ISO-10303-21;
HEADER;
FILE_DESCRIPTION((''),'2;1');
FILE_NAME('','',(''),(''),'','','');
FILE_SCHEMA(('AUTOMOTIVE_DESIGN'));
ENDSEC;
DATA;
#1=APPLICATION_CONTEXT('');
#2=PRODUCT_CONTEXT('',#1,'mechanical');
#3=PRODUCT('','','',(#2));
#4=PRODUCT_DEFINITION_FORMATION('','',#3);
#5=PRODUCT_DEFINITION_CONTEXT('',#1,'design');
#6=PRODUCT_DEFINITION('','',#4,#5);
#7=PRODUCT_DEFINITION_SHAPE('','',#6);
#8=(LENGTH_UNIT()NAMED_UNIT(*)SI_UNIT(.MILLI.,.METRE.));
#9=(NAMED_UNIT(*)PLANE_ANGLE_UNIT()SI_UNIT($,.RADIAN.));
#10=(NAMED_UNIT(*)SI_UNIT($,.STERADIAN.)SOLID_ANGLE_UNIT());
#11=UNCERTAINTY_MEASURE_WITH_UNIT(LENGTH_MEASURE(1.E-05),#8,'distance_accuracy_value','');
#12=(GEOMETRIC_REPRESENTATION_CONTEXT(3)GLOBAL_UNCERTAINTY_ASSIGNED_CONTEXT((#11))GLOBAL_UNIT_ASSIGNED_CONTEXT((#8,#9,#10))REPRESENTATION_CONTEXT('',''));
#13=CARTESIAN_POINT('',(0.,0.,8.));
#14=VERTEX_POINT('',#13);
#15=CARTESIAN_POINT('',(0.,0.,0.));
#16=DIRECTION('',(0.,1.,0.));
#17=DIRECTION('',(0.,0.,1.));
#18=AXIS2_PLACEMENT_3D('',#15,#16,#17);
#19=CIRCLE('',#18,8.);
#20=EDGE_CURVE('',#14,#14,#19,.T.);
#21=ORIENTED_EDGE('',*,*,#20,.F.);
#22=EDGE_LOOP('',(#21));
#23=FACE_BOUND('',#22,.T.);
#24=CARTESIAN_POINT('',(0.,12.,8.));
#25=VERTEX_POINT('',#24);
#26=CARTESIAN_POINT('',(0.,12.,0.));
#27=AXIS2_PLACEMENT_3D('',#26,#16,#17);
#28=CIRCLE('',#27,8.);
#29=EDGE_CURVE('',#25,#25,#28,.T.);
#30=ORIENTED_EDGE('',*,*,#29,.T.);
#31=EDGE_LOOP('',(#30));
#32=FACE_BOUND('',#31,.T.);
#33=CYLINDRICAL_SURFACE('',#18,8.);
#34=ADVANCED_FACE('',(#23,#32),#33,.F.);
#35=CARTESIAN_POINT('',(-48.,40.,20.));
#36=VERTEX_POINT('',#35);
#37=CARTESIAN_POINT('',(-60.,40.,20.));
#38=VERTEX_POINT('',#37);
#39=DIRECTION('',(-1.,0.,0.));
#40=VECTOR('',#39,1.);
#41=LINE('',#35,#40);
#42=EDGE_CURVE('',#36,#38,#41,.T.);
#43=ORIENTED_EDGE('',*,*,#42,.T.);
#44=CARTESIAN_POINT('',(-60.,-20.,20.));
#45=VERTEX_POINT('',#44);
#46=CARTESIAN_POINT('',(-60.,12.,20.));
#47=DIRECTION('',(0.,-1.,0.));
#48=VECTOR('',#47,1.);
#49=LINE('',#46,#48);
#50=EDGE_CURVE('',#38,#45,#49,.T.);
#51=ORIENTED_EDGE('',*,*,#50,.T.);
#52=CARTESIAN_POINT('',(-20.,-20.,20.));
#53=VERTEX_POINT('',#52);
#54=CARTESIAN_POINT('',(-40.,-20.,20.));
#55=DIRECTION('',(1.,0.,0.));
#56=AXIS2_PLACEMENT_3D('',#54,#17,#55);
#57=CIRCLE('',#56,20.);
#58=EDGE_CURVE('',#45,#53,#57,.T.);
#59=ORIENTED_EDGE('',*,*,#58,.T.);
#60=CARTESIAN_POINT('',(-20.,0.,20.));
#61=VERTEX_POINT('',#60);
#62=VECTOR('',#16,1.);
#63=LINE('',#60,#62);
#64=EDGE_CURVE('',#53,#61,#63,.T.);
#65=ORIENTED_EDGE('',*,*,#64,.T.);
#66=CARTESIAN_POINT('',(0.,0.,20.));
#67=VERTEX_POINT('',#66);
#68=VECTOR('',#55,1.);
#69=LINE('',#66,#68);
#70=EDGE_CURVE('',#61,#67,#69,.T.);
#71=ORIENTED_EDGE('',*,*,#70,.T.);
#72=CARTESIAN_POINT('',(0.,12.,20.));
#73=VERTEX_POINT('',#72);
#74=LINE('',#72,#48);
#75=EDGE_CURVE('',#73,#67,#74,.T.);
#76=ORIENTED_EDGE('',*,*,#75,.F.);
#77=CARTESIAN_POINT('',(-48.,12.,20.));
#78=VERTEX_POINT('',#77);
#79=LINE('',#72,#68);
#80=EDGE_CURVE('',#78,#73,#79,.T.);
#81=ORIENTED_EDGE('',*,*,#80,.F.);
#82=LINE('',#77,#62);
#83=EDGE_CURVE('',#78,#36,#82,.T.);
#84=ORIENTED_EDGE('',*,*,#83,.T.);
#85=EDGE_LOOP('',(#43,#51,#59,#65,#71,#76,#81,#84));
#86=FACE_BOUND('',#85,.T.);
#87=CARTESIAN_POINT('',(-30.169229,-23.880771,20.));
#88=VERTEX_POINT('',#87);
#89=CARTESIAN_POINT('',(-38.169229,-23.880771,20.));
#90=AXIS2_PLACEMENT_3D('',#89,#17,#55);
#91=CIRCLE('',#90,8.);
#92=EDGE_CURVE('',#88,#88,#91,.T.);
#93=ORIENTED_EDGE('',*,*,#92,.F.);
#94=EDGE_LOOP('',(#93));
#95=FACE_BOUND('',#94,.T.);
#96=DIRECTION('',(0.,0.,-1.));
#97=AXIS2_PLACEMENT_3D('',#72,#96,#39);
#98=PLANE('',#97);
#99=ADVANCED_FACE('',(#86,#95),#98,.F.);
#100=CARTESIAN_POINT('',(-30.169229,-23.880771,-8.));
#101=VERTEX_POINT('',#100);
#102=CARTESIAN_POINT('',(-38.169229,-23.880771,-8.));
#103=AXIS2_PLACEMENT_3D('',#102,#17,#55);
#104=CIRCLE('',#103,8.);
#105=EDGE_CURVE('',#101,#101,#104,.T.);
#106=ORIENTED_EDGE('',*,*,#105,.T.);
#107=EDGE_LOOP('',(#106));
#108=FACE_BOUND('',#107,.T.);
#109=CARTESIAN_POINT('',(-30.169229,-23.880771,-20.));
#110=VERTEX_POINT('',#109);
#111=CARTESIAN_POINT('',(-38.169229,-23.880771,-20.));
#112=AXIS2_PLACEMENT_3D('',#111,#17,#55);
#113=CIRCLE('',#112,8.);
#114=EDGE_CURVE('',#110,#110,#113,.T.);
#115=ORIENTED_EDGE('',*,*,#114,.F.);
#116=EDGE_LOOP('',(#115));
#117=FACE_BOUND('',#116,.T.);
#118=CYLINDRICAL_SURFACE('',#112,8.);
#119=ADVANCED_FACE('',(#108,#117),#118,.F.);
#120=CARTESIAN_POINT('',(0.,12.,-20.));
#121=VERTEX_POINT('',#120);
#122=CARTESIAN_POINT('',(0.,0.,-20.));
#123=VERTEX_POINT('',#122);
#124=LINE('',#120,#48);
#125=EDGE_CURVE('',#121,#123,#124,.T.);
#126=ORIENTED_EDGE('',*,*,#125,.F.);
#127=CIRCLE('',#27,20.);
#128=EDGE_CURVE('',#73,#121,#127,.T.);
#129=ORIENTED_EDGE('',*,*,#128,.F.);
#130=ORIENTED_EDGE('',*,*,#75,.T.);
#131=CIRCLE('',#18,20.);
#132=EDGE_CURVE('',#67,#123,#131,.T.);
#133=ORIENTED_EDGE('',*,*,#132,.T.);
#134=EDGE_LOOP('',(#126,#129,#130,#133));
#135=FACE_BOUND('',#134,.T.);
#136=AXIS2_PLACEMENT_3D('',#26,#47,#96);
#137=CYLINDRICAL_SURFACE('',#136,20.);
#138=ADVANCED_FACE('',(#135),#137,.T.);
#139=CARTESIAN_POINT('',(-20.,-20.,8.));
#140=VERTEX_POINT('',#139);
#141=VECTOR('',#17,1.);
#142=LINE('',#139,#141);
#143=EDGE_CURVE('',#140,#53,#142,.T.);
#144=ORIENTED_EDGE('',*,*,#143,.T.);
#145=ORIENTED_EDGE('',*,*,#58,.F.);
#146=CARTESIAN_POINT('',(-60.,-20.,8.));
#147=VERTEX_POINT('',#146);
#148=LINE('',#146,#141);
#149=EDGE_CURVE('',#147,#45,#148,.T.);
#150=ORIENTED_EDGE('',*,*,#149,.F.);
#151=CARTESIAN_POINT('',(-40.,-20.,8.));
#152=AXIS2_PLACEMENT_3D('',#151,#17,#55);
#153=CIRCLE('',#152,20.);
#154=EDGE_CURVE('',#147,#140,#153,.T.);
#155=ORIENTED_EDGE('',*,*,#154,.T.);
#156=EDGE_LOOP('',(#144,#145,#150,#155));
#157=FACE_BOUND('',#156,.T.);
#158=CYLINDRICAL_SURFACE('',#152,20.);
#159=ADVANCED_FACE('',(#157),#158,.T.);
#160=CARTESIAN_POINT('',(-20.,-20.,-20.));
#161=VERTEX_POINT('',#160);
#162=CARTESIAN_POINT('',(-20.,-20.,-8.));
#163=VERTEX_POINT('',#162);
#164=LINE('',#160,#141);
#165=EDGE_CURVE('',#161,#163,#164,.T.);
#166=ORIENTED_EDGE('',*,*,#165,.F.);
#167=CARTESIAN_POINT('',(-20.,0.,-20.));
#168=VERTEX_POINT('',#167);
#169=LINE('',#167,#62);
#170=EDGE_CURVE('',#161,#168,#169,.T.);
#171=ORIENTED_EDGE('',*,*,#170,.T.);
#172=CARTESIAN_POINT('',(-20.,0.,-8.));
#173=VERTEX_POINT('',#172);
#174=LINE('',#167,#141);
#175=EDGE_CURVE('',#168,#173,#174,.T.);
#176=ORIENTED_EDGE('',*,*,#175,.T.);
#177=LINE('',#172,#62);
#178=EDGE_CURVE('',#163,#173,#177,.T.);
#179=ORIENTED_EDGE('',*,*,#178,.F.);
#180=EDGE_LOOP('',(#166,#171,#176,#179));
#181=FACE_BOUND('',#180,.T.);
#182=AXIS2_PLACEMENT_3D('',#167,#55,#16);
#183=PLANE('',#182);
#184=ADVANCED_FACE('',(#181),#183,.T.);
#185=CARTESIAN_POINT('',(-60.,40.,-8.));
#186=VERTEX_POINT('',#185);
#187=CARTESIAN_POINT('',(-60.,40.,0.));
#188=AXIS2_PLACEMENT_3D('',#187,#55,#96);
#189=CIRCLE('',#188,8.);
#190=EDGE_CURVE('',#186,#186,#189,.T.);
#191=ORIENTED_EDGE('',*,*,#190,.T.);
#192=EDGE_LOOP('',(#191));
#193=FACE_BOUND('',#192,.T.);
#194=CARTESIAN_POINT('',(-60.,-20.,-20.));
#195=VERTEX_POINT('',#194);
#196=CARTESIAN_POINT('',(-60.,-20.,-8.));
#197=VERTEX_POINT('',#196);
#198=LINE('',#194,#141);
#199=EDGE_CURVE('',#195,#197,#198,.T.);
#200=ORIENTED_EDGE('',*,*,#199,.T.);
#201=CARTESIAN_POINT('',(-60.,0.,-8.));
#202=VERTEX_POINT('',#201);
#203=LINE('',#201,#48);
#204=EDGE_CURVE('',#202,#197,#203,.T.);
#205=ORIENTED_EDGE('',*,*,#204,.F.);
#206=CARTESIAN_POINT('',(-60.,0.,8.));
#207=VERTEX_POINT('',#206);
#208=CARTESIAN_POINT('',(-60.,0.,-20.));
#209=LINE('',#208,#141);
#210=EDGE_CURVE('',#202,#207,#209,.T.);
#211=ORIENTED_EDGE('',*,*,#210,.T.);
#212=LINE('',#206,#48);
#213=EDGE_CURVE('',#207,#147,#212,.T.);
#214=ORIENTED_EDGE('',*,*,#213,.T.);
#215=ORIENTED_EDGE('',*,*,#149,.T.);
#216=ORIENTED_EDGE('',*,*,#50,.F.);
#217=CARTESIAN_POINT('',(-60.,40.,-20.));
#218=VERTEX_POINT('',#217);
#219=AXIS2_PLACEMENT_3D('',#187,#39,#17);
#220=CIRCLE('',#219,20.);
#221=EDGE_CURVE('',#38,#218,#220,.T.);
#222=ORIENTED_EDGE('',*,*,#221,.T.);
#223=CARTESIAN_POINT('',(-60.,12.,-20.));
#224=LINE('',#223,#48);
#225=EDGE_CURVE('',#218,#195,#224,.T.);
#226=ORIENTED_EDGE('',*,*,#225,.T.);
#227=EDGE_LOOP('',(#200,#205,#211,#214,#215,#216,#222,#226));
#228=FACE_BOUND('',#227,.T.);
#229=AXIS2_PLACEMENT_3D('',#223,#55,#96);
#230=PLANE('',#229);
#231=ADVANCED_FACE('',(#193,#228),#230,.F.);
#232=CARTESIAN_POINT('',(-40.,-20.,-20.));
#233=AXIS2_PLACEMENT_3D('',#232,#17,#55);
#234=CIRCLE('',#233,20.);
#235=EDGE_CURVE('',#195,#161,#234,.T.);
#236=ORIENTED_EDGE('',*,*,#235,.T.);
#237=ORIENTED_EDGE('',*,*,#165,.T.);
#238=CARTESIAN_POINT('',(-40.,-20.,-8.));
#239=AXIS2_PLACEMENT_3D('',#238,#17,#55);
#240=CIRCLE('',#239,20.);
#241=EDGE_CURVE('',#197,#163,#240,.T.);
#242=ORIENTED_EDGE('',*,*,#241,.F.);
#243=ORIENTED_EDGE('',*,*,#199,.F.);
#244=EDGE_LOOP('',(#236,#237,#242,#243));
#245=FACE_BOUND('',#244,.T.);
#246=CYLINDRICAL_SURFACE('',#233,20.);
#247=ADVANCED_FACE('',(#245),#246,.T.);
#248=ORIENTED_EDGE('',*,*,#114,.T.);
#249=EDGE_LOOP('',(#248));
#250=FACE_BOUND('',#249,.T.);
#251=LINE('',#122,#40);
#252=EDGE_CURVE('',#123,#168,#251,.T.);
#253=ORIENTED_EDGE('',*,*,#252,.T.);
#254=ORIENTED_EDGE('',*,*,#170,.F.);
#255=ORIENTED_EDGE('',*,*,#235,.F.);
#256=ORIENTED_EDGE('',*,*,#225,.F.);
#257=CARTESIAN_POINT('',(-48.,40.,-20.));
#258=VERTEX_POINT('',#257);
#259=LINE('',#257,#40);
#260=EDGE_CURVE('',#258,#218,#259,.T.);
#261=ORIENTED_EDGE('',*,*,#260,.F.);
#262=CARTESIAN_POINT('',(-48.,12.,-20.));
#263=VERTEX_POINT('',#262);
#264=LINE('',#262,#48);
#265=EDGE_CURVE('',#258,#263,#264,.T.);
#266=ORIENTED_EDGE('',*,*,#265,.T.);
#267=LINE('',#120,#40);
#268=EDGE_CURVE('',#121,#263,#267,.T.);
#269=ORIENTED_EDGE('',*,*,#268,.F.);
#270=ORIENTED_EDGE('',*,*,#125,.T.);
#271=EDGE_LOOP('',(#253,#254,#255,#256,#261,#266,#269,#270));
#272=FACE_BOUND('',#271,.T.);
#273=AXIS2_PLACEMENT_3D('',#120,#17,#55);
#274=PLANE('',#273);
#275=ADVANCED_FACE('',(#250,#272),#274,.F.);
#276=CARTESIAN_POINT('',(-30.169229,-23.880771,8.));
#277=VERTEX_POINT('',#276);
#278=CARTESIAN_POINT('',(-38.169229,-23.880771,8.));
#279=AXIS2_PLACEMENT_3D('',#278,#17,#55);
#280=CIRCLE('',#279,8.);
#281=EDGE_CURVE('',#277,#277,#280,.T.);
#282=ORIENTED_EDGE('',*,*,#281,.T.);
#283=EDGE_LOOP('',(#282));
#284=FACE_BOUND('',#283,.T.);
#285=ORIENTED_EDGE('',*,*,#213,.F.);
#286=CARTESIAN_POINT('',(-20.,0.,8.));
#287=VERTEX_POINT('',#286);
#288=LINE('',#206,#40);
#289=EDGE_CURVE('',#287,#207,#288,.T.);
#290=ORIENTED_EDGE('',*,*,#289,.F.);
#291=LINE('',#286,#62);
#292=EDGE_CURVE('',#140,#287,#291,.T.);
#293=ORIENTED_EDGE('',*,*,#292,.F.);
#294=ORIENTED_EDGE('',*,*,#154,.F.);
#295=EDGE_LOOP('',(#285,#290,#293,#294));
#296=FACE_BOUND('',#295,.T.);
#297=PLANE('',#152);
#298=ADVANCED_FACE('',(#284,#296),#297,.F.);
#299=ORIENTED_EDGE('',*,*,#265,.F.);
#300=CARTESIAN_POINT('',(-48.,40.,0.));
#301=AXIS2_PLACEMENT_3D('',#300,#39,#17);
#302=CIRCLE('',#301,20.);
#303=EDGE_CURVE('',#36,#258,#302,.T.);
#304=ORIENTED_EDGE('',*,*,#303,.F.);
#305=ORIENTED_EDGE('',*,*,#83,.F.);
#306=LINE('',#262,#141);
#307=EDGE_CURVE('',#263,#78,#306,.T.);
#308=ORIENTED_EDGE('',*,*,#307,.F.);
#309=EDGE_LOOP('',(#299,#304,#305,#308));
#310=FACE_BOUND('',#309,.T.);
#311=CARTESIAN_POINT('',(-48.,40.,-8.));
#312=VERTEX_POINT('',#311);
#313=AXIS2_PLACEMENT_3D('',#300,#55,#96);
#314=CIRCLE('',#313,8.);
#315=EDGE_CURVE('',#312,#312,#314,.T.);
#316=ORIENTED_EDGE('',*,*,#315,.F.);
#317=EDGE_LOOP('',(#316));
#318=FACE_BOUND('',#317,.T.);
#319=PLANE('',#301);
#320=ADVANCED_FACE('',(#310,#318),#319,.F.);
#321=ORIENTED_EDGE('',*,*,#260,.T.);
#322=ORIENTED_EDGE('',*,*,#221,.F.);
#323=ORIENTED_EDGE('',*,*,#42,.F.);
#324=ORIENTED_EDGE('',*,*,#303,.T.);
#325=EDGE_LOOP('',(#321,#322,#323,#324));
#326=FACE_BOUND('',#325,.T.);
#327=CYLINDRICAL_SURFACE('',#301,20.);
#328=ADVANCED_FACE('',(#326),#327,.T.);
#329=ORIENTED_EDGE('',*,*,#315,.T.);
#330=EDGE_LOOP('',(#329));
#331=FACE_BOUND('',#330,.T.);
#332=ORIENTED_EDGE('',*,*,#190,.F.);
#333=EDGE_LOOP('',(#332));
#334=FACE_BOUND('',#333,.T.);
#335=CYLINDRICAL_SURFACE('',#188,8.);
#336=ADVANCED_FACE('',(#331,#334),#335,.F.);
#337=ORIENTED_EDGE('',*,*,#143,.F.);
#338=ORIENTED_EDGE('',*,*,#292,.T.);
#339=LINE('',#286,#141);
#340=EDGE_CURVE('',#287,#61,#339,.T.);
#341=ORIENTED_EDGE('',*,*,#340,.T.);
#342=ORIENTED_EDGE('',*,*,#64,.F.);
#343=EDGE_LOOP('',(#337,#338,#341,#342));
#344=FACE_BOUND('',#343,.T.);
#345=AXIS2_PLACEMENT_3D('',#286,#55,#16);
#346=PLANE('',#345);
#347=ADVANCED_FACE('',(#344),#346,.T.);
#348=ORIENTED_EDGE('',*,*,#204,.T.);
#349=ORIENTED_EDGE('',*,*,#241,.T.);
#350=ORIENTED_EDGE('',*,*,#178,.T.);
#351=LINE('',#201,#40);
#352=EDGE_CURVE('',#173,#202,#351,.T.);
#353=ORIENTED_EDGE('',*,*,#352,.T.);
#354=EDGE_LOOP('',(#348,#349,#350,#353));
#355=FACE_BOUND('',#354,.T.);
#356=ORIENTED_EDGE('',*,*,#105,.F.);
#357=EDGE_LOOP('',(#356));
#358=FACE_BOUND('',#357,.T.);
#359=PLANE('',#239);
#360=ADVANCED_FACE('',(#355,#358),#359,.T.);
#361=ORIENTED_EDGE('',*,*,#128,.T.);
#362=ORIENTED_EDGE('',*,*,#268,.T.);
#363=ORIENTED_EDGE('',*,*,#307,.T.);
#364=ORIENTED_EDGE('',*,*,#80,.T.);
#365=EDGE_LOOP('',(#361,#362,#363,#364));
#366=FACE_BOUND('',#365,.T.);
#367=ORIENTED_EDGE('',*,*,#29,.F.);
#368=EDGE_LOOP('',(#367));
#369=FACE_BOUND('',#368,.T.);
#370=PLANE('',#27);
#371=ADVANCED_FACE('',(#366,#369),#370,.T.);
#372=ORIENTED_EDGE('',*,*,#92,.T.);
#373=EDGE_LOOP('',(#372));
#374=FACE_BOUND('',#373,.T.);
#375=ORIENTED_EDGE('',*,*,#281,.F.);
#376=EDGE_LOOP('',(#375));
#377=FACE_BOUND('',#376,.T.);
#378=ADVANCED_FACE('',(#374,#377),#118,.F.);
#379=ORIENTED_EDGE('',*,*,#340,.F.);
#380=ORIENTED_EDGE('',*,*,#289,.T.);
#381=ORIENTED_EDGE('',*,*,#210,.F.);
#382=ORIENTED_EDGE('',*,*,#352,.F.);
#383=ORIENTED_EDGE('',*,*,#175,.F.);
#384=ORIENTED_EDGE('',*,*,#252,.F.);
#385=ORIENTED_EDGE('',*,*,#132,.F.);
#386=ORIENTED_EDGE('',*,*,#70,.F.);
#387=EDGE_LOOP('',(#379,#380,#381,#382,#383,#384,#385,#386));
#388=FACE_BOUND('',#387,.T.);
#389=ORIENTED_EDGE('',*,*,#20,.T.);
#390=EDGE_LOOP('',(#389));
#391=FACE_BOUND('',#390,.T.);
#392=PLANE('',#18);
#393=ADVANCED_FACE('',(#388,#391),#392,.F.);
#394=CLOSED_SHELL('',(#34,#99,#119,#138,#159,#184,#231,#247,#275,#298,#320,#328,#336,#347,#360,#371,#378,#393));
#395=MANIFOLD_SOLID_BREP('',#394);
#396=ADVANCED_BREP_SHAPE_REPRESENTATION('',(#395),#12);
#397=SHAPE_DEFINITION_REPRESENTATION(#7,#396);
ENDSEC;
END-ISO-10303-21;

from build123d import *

# Parameters (mm, degrees)
BOSS_EXTRUDE1_DEPTH = 12
SKETCH2_R           = 8
CUT_EXTRUDE1_DEPTH  = 65.373907758
BOSS_EXTRUDE2_DEPTH = 12
SKETCH5_R           = 8
CUT_EXTRUDE2_DEPTH  = 93.86549413
BOSS_EXTRUDE3_DEPTH = 12
BOSS_EXTRUDE4_START = -28
BOSS_EXTRUDE4_DEPTH = 12
SKETCH10_R          = 8
CUT_EXTRUDE3_DEPTH  = 94.808315196


with BuildPart() as part:
    # Sketch1 → Boss-Extrude1 (new body)
    with BuildSketch(Plane(origin=(0, 0, 0), x_dir=(1, 0, 0), z_dir=(0, 1, 0))):
        with BuildLine():
            Line((0, 20), (-60, 20))
            Line((-60, 20), (-60, -20))
            Line((-60, -20), (0, -20))
            ThreePointArc((0, -20), (20, 0), (0, 20))
        make_face()
    extrude(amount=BOSS_EXTRUDE1_DEPTH)

    # Sketch2 → Cut-Extrude1 (cut, through all)
    with BuildSketch(Plane(origin=(0, 12, 0), x_dir=(1, 0, 0), z_dir=(0, 1, 0))):
        Circle(SKETCH2_R)
    extrude(amount=-CUT_EXTRUDE1_DEPTH, mode=Mode.SUBTRACT)

    # Sketch4 → Boss-Extrude2 (add)
    with BuildSketch(Plane.ZY.offset(60)):
        with BuildLine():
            Line((-20, 12), (20, 12))
            Line((20, 12), (20, 40))
            ThreePointArc((20, 40), (0, 60), (-20, 40))
            Line((-20, 40), (-20, 12))
        make_face()
    extrude(amount=-BOSS_EXTRUDE2_DEPTH)

    # Sketch5 → Cut-Extrude2 (cut, through all)
    with BuildSketch(Plane(origin=(-48, 0, 0), x_dir=(0, 0, -1), z_dir=(1, 0, 0))):
        with Locations((0, 40)):
            Circle(SKETCH5_R)
    extrude(amount=-CUT_EXTRUDE2_DEPTH, mode=Mode.SUBTRACT)

    # Sketch6 → Boss-Extrude3 (add)
    with BuildSketch(Plane.XY.offset(20)):
        with BuildLine():
            Line((-60, 0), (-20, 0))
            Line((-20, 0), (-20, -20))
            ThreePointArc((-20, -20), (-40, -40), (-60, -20))
            Line((-60, -20), (-60, 0))
        make_face()
    extrude(amount=-BOSS_EXTRUDE3_DEPTH)

    # Sketch6<2> → Boss-Extrude4 (add)
    with BuildSketch(Plane.XY.offset(20).offset(BOSS_EXTRUDE4_START)):
        with BuildLine():
            Line((-60, 0), (-20, 0))
            Line((-20, 0), (-20, -20))
            ThreePointArc((-20, -20), (-40, -40), (-60, -20))
            Line((-60, -20), (-60, 0))
        make_face()
    extrude(amount=-BOSS_EXTRUDE4_DEPTH)

    # Sketch10 → Cut-Extrude3 (cut, through all)
    with BuildSketch(Plane.XY.offset(20)):
        with Locations((-38.16922935, -23.880771307)):
            Circle(SKETCH10_R)
    extrude(amount=-CUT_EXTRUDE3_DEPTH, mode=Mode.SUBTRACT)


solid = part.part
